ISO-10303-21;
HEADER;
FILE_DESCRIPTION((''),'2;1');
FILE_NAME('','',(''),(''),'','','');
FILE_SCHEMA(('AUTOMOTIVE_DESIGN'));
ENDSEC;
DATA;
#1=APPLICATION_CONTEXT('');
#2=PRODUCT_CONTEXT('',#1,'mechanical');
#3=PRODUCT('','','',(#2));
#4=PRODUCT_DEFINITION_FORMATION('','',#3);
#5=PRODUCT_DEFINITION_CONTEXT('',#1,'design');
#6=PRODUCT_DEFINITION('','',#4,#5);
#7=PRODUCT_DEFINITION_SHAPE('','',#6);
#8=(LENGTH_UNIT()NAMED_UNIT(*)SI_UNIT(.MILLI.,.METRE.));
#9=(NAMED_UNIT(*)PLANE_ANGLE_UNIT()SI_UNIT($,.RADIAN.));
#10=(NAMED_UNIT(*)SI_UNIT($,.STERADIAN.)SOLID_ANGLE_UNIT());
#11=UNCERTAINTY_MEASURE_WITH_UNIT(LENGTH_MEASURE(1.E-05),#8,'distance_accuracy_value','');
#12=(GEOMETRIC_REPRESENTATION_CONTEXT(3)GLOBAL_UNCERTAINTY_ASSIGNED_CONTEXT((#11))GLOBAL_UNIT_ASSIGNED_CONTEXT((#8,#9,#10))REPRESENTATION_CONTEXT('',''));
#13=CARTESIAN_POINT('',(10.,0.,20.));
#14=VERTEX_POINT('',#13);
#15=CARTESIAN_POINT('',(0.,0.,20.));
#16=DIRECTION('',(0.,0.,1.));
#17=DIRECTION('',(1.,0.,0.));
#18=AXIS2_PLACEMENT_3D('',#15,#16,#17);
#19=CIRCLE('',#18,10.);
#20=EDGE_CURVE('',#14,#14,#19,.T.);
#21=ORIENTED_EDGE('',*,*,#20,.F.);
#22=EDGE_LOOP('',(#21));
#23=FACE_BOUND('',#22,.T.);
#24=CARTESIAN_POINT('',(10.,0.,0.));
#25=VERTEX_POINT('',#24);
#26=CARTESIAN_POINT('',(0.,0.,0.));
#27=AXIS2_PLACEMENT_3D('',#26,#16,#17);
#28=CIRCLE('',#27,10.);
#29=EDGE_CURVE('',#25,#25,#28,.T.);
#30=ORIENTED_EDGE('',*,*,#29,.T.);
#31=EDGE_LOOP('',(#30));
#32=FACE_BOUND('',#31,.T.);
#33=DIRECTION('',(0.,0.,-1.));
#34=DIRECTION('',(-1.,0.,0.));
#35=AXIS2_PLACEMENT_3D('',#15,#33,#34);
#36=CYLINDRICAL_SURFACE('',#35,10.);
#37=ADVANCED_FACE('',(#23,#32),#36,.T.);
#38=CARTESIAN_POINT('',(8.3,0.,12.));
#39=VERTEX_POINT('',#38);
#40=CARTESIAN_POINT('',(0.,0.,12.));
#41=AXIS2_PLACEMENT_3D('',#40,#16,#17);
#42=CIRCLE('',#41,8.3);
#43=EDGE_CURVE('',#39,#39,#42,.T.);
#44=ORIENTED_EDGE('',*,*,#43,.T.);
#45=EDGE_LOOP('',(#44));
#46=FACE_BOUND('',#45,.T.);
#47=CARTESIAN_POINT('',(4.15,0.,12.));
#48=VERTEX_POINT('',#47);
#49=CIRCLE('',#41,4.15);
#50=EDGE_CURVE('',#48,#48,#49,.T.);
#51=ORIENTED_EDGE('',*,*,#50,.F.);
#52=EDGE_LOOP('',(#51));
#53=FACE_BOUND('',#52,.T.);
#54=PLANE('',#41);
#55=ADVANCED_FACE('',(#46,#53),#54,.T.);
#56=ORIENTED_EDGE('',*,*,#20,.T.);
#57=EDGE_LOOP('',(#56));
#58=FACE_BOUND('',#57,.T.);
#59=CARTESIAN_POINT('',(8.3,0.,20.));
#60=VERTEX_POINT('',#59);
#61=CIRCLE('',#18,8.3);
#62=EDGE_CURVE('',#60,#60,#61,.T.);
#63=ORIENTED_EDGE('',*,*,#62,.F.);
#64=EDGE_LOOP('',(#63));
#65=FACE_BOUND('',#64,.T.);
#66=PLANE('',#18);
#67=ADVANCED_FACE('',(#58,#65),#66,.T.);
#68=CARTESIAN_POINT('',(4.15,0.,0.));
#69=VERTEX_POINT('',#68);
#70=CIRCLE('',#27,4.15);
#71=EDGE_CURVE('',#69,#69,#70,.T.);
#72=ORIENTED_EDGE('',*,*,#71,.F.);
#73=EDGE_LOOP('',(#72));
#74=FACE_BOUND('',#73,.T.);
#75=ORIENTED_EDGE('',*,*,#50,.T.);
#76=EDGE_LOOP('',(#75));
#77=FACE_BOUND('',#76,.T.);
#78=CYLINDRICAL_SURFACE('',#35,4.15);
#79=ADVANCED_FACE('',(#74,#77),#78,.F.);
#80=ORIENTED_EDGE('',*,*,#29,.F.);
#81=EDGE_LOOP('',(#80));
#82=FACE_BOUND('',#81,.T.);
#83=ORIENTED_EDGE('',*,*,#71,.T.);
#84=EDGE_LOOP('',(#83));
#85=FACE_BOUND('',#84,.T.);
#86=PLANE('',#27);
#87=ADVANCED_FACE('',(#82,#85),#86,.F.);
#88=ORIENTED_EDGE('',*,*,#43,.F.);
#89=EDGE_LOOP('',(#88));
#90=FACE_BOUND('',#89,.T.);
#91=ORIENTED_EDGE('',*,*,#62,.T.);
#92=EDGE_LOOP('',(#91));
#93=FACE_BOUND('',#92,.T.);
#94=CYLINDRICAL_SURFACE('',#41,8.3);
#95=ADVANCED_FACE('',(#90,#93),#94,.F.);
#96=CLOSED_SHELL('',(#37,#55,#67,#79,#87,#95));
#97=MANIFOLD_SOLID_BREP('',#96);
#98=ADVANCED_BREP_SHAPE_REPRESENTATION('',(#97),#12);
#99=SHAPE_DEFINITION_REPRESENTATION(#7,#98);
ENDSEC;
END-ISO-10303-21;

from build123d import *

# Parameters (mm, degrees)
SKETCH1_R           = 10
SKETCH1_R_2         = 4.15
BOSS_EXTRUDE1_DEPTH = 20
SKETCH2_R           = 8.3
CUT_EXTRUDE1_DEPTH  = 8


with BuildPart() as part:
    # Sketch1 → Boss-Extrude1 (new body)
    with BuildSketch(Plane.XY):
        Circle(SKETCH1_R)
        Circle(SKETCH1_R_2, mode=Mode.SUBTRACT)
    extrude(amount=BOSS_EXTRUDE1_DEPTH)

    # Sketch2 → Cut-Extrude1 (cut)
    with BuildSketch(Plane.XY.offset(20)):
        Circle(SKETCH2_R)
    extrude(amount=-CUT_EXTRUDE1_DEPTH, mode=Mode.SUBTRACT)


solid = part.part
